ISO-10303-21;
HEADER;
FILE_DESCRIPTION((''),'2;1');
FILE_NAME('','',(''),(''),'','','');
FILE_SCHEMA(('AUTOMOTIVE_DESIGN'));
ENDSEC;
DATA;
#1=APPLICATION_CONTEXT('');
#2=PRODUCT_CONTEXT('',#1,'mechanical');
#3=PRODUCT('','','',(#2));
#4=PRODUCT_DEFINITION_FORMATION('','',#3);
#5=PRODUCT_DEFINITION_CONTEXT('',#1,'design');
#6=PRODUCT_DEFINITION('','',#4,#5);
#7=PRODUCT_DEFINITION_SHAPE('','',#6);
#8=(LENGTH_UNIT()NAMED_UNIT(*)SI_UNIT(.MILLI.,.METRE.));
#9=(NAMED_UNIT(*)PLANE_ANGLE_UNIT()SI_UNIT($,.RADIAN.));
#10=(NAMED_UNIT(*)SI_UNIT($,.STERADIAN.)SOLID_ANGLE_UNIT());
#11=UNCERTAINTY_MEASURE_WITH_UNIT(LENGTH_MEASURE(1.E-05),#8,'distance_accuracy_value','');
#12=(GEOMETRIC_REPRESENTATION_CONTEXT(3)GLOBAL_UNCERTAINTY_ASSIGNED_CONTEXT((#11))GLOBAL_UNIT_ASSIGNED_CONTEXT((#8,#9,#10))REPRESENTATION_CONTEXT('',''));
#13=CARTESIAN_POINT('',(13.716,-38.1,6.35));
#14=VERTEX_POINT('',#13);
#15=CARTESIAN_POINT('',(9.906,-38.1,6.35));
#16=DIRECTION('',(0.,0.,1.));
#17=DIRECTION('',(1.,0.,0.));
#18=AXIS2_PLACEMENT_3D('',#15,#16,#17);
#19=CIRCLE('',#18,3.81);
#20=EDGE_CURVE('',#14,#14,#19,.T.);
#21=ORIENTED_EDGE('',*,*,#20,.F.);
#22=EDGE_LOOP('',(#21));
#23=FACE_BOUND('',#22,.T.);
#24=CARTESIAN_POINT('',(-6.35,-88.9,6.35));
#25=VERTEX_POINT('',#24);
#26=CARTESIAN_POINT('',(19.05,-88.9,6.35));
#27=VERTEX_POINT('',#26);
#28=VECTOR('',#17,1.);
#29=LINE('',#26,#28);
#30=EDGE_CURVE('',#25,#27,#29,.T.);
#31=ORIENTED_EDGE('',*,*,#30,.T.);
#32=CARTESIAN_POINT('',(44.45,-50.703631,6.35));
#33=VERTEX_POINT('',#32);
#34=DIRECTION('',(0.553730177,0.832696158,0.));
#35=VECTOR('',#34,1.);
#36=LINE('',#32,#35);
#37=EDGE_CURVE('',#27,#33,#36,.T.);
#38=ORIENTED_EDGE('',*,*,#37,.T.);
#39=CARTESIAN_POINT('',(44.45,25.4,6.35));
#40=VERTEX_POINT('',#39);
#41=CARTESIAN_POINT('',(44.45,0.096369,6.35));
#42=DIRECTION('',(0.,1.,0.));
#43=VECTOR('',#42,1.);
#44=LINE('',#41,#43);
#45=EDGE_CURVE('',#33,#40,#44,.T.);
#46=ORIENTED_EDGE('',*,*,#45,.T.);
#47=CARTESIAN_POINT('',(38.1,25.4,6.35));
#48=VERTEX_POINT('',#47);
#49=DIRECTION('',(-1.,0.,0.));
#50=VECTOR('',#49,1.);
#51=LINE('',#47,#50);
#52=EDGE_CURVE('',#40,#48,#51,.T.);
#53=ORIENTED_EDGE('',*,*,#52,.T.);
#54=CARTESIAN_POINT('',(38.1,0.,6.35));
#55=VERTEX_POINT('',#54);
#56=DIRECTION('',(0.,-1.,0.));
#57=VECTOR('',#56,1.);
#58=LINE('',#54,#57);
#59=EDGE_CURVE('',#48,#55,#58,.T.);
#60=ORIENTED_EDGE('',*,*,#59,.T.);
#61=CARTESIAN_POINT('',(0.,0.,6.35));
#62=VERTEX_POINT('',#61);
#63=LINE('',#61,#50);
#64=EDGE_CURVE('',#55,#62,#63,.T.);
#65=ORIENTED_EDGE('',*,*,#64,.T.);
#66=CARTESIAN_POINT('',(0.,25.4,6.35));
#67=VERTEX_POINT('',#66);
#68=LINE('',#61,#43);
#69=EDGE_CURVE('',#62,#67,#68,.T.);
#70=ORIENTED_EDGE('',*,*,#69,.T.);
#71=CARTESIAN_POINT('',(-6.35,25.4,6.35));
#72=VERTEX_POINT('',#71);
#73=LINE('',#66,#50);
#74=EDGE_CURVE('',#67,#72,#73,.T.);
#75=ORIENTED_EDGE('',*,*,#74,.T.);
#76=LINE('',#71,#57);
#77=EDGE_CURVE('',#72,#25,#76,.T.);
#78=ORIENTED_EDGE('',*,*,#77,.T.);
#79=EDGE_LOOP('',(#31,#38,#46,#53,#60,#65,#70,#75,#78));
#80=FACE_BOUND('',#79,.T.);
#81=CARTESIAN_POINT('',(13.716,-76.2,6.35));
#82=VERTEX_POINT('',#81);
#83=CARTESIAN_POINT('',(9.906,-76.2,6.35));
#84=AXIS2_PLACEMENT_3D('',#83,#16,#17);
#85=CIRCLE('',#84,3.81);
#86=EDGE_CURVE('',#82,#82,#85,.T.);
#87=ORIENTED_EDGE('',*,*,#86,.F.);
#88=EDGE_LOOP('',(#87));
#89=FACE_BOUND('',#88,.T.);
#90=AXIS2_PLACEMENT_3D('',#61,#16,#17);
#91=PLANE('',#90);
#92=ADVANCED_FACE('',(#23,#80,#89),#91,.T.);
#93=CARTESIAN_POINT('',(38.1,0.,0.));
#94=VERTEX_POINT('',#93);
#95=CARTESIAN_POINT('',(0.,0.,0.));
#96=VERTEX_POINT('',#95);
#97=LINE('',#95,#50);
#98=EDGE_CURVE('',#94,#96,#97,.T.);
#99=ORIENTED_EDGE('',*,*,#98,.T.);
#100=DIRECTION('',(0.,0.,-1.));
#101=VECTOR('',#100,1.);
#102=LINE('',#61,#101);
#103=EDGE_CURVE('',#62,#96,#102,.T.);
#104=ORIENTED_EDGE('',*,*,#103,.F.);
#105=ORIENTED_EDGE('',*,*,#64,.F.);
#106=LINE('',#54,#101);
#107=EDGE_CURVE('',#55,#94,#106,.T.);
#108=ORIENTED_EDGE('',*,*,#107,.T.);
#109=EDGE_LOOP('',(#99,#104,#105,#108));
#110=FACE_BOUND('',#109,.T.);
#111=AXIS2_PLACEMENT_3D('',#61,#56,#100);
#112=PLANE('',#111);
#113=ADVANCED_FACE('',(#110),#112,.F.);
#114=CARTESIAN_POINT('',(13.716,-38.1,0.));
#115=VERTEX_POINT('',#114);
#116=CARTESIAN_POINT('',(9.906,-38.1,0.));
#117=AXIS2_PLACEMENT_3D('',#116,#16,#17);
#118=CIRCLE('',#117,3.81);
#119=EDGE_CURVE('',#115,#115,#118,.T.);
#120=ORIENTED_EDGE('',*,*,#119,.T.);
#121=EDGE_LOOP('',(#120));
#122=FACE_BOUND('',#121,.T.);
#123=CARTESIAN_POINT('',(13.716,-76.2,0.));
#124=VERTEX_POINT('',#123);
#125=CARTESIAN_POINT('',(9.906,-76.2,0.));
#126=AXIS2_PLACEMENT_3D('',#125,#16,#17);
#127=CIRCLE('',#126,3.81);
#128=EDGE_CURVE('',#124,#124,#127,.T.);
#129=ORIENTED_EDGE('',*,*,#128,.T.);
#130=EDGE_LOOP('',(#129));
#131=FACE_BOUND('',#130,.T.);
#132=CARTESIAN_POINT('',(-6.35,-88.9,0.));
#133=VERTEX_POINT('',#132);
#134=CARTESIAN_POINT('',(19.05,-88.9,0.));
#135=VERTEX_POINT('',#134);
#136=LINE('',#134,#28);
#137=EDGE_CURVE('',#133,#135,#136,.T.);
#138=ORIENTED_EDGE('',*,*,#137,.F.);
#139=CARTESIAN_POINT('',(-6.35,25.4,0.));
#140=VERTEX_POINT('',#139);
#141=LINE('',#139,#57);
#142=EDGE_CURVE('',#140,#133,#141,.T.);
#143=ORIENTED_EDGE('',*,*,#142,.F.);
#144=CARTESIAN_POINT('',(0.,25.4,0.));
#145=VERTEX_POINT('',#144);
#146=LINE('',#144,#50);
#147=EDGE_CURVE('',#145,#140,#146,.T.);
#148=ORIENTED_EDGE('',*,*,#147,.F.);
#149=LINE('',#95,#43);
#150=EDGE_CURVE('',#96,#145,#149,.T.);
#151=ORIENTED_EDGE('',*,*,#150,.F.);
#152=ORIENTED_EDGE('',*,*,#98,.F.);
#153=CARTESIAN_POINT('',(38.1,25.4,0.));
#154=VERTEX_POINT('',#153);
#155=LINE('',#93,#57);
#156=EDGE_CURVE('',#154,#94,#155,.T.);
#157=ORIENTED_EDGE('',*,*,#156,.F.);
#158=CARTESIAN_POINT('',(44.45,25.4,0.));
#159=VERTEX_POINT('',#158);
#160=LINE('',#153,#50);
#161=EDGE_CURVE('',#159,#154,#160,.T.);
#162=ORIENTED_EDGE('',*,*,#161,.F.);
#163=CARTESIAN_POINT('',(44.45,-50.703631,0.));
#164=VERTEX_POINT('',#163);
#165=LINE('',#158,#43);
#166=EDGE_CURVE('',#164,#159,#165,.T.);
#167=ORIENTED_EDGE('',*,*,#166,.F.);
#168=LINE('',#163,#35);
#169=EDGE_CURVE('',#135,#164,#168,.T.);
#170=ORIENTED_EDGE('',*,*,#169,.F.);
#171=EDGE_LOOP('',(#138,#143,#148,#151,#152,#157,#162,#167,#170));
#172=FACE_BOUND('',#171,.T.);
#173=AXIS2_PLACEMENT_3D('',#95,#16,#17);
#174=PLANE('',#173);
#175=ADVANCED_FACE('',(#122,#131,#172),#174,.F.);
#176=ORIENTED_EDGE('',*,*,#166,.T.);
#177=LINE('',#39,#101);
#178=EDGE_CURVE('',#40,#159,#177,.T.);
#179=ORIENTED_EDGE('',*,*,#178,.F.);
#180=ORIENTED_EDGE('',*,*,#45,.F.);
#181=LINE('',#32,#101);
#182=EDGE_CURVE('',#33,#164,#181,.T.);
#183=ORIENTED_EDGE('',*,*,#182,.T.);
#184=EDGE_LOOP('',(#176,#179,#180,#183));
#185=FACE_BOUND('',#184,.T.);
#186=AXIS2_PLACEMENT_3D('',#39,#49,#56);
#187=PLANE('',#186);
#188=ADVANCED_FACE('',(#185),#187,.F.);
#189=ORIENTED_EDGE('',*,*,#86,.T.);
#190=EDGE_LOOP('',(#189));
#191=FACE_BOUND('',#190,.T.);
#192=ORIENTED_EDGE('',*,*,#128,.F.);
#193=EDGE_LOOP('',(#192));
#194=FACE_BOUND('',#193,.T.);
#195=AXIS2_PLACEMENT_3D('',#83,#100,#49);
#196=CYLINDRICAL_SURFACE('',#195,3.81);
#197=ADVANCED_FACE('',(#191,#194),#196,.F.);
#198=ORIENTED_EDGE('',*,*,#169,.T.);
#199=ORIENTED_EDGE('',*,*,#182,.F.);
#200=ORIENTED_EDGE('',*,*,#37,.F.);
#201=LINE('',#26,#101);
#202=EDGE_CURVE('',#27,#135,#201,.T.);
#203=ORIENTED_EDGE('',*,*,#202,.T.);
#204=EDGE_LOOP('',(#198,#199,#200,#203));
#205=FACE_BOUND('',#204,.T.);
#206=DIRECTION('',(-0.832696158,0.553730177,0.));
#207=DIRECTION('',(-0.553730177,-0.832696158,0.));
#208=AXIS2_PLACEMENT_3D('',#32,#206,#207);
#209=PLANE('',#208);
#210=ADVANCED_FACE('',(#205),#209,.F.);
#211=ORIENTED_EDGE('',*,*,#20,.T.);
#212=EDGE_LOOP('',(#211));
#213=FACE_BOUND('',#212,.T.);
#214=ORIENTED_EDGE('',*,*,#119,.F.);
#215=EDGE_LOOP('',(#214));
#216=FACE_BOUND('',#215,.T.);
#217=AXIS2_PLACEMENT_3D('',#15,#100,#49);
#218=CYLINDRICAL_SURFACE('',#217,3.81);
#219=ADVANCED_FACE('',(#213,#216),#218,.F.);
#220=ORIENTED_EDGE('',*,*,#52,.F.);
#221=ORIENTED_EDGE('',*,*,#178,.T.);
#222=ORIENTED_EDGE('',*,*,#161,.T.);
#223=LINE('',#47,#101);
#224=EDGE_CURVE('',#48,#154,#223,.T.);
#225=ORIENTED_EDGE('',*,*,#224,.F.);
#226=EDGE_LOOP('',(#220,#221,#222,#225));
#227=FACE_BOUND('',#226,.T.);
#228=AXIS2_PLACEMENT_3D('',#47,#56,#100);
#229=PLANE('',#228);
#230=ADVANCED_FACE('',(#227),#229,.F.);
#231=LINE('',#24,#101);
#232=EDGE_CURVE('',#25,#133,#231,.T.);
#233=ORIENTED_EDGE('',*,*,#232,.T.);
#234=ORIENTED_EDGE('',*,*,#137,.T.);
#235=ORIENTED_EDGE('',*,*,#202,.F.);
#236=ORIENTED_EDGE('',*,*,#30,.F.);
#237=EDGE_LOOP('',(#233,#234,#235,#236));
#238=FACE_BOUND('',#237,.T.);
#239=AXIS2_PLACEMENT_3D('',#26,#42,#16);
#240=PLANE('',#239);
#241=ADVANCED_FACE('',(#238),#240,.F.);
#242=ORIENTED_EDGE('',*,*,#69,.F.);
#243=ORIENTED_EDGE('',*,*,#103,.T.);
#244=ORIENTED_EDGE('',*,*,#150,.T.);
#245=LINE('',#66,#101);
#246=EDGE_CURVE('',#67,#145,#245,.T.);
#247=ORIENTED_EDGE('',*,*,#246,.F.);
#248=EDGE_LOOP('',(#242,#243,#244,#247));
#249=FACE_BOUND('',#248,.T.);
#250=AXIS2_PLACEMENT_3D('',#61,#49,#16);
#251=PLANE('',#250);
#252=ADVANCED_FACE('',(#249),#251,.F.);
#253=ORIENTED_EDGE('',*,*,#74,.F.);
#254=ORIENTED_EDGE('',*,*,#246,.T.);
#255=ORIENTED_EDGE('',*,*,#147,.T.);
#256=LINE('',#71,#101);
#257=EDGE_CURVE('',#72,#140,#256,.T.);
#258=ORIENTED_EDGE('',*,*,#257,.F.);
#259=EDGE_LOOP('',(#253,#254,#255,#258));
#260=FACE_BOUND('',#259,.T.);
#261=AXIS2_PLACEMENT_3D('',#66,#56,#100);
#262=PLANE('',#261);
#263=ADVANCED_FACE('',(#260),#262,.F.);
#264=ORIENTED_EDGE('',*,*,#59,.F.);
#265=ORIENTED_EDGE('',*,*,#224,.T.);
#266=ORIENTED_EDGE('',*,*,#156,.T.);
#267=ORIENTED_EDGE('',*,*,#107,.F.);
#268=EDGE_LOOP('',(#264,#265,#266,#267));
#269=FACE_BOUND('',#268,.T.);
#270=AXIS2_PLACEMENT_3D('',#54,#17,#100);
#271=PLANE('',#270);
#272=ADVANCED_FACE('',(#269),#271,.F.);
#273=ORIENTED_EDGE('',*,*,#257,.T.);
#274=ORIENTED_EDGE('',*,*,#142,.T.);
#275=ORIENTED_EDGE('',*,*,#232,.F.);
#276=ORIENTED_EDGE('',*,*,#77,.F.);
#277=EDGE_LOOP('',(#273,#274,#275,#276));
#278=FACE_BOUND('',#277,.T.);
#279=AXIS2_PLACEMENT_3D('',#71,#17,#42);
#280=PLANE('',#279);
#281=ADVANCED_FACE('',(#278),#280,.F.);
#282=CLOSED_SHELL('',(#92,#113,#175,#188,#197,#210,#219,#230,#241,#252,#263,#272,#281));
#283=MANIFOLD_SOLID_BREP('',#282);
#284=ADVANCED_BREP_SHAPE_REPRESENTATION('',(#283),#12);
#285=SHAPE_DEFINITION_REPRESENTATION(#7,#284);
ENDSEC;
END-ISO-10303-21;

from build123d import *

# Parameters (mm, degrees)
SKETCH1_R           = 3.81
BOSS_EXTRUDE1_DEPTH = 6.35


with BuildPart() as part:
    # Sketch1 → Boss-Extrude1 (new body)
    with BuildSketch(Plane.XY):
        Polygon((0, 0), (0, 25.4), (-6.35, 25.4), (-6.35, -88.9), (19.05, -88.9), (44.45, -50.703630574), (44.45, 0.096369426), (44.45, 25.4), (38.1, 25.4), (38.1, 0), align=None)
        with Locations((9.906, -38.1)):
            Circle(SKETCH1_R, mode=Mode.SUBTRACT)
        with Locations((9.906, -76.2)):
            Circle(SKETCH1_R, mode=Mode.SUBTRACT)
    extrude(amount=BOSS_EXTRUDE1_DEPTH)


solid = part.part
